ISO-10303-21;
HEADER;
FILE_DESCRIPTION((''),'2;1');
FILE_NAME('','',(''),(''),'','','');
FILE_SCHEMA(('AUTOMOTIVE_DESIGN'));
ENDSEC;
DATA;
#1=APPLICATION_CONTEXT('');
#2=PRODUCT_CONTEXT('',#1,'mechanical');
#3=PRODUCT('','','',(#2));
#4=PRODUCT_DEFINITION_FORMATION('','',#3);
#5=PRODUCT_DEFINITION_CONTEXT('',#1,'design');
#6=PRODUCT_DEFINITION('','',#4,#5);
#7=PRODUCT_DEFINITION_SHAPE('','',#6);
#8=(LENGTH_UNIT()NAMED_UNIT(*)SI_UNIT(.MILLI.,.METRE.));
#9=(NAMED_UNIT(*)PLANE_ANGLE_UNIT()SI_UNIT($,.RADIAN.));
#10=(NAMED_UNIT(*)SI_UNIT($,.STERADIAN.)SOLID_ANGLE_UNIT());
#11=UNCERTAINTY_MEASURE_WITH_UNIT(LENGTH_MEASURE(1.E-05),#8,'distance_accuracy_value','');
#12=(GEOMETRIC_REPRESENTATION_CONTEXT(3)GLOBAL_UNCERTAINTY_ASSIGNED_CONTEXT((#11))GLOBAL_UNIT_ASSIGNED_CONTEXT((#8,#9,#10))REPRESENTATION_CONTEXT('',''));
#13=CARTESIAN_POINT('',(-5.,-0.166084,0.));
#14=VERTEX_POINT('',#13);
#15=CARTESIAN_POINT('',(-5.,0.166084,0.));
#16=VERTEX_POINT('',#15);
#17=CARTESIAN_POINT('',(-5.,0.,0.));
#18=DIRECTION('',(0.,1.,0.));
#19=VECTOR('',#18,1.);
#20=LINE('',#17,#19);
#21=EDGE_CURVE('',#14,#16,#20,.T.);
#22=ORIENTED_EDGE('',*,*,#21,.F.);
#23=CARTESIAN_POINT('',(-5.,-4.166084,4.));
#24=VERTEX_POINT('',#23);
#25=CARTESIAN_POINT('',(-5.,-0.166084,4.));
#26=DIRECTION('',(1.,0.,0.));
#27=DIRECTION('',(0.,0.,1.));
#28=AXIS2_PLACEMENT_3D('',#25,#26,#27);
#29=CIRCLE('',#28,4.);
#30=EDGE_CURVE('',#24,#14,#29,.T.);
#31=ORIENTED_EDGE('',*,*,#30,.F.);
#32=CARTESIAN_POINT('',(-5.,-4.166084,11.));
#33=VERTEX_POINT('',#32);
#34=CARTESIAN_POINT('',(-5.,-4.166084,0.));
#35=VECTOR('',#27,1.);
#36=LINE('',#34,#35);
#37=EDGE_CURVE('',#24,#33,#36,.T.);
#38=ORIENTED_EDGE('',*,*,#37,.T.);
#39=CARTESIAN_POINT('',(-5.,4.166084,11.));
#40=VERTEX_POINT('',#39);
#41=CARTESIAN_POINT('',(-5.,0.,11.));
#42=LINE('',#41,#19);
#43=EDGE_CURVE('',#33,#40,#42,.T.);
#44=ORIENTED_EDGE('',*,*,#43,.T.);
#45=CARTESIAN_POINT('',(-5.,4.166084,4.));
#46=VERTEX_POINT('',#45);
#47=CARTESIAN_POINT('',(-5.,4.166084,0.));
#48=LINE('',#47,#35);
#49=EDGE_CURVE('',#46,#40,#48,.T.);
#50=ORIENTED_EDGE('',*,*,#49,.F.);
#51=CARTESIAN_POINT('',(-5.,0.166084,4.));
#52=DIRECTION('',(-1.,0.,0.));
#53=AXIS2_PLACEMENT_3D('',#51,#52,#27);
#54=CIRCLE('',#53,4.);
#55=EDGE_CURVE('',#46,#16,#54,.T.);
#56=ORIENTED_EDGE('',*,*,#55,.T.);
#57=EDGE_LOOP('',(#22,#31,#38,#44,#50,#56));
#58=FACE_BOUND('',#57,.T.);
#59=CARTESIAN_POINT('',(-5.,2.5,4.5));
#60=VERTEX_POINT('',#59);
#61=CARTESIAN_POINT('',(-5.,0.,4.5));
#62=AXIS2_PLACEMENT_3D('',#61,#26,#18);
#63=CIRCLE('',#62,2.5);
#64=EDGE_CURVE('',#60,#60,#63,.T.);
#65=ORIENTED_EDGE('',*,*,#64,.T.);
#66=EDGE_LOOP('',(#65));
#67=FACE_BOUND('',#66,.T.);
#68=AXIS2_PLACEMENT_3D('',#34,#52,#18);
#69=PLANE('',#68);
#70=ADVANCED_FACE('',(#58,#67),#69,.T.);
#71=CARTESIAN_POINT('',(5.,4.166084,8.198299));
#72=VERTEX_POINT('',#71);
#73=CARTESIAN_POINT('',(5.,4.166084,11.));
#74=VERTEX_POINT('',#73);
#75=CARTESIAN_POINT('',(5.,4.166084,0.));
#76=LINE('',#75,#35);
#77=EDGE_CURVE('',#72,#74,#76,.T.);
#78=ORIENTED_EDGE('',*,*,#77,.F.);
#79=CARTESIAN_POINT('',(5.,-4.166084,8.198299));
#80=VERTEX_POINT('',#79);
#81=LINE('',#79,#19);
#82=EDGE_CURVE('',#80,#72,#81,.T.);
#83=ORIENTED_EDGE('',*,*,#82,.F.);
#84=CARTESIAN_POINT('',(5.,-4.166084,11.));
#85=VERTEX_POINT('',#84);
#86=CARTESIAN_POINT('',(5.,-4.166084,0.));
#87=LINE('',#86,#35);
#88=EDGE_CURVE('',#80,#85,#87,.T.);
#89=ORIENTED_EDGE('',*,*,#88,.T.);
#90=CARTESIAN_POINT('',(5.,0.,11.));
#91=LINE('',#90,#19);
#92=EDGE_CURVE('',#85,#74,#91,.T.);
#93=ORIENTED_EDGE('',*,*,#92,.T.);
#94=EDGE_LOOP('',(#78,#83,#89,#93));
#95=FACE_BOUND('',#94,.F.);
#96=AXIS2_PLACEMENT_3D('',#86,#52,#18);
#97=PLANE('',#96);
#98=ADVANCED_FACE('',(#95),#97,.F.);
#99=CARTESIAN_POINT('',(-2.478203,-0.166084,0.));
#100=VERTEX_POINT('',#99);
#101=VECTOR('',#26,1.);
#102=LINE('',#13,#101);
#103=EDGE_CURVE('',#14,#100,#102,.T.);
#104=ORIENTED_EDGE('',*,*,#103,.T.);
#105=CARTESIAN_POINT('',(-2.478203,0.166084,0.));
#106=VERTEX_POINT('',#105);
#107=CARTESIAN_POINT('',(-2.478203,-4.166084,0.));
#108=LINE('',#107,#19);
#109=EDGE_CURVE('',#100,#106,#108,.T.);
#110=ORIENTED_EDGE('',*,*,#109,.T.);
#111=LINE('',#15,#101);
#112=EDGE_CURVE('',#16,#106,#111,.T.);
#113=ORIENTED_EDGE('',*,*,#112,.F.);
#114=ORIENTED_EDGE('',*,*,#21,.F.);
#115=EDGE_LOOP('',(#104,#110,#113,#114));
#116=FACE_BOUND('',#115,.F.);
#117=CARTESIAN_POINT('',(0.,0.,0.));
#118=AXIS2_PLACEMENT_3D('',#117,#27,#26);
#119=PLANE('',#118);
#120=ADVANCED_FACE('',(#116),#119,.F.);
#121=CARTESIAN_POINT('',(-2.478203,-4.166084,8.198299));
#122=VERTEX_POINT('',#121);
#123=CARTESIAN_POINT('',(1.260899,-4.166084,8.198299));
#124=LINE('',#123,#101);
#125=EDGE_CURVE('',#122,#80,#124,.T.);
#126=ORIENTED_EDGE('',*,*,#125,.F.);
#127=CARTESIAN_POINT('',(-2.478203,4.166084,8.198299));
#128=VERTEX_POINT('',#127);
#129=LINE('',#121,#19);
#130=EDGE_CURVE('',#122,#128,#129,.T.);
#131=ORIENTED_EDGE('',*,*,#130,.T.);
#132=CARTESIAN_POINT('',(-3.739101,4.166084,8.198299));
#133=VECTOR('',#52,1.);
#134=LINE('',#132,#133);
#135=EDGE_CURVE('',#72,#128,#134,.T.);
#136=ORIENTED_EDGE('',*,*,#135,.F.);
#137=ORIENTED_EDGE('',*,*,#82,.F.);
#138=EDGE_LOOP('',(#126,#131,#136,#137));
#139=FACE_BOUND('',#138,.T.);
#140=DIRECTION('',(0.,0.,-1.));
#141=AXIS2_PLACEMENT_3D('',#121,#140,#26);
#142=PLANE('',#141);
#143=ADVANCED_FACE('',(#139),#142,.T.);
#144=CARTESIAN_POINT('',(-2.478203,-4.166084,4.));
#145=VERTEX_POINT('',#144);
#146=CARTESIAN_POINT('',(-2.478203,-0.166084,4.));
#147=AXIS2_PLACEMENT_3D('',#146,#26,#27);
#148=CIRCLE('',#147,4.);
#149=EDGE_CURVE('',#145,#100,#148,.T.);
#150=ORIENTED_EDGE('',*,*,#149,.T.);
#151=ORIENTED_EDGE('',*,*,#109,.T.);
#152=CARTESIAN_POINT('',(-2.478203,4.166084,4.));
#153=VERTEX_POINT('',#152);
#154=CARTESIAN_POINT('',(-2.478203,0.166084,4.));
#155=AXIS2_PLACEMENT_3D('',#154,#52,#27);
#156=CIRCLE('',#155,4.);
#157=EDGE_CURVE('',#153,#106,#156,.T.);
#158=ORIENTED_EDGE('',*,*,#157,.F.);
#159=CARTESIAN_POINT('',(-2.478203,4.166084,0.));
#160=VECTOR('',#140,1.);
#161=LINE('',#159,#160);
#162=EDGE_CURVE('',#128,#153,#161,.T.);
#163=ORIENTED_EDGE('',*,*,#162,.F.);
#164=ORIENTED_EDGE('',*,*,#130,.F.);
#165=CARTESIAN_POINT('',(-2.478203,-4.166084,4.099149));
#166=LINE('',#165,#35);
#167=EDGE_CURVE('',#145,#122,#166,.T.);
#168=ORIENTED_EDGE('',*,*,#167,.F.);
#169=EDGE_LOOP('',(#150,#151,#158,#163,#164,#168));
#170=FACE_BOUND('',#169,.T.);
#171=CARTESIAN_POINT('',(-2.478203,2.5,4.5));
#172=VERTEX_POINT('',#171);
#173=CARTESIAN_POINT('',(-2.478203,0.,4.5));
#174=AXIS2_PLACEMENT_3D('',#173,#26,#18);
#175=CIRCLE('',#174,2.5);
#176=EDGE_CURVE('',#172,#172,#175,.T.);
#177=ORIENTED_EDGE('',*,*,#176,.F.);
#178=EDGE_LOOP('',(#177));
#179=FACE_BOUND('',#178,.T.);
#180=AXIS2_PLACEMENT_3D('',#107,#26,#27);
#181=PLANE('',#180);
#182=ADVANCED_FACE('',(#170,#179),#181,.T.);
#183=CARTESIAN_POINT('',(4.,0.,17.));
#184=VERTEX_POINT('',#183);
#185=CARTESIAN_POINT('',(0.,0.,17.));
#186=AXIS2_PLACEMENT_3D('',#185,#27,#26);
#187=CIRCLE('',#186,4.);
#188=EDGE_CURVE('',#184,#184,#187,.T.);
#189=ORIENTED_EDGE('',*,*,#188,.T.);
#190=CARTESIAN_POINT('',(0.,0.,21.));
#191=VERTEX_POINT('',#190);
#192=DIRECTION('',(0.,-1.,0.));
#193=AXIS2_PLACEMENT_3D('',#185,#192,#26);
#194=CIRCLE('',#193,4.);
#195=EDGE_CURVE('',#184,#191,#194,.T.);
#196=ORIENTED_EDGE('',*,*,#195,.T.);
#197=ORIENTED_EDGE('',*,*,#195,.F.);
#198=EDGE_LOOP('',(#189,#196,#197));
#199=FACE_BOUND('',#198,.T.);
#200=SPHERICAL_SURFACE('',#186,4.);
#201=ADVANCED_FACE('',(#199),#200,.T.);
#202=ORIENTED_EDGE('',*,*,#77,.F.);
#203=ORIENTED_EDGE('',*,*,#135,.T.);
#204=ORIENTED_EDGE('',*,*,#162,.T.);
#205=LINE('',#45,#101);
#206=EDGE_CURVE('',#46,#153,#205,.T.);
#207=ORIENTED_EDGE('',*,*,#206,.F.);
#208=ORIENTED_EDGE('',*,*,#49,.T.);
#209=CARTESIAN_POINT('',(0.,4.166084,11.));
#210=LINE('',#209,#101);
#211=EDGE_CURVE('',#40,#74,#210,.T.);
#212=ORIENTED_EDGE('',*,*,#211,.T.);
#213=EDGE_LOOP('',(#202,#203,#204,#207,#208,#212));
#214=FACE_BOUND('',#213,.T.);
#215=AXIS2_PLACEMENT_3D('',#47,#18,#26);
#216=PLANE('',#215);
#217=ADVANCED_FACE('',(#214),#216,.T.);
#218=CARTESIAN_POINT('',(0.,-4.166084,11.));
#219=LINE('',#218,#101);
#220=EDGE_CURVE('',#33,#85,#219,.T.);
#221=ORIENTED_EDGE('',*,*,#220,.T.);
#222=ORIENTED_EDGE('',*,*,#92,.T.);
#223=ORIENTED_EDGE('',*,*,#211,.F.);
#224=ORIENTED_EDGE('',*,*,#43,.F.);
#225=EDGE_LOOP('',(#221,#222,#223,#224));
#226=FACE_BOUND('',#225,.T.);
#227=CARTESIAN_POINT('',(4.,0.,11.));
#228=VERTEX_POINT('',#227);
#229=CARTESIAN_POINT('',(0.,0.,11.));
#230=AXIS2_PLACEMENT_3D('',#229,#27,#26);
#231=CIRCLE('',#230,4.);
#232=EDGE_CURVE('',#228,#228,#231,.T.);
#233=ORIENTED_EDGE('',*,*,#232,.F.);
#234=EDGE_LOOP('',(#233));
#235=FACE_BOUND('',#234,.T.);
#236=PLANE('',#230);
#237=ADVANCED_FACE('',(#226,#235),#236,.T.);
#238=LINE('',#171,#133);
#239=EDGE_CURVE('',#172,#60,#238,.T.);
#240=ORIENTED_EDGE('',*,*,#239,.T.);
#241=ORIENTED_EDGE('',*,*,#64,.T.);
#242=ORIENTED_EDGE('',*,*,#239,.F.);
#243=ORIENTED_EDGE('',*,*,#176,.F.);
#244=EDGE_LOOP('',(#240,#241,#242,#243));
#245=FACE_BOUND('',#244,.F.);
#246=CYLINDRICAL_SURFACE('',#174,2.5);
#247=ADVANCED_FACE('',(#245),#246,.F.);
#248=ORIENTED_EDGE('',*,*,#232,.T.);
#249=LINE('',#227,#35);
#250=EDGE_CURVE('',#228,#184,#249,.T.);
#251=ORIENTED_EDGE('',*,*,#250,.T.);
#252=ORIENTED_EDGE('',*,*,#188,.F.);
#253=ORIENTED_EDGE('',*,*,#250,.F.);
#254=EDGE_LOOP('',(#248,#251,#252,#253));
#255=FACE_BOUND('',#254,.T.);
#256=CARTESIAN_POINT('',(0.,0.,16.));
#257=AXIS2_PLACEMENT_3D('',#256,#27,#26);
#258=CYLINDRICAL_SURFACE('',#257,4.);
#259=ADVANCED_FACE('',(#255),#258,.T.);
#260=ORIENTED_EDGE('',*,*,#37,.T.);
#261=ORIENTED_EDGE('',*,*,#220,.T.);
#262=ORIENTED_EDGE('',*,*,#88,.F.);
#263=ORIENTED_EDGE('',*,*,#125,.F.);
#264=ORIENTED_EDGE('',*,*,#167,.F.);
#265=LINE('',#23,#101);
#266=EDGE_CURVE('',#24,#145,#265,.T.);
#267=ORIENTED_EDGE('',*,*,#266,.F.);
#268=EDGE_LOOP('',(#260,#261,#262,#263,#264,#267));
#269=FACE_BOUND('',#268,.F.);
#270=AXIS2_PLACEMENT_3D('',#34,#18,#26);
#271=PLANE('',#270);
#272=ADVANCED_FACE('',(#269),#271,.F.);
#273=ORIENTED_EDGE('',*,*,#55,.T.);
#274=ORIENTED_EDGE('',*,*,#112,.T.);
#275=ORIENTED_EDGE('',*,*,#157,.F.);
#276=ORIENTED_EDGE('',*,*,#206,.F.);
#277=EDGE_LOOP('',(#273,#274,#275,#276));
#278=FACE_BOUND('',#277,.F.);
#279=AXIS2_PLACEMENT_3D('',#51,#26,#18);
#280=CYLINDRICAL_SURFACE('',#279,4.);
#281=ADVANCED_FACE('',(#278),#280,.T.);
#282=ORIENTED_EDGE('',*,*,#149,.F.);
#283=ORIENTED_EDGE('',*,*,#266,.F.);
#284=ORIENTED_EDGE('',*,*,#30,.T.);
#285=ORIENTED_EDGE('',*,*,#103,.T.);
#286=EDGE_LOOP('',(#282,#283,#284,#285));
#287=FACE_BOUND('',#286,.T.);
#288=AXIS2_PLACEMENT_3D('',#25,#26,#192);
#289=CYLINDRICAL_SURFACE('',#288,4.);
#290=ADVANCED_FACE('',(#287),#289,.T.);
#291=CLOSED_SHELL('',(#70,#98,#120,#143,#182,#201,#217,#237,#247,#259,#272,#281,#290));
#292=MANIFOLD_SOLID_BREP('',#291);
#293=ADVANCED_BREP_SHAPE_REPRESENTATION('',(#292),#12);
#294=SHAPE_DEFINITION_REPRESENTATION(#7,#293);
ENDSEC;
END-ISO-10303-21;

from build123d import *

# Parameters (mm, degrees)
F0_W      = 254
F0_H      = 254
F0_W_2    = 19.9865185836
F0_H_2    = 80.453767086
F1_DEPTH  = 1
F2_W      = 10
F2_H      = 8.3321671046
F3_DEPTH  = 16
F4_W      = 10
F4_H      = 8.3321671046
F4_R      = 4
F5_DEPTH  = 5
F6_W      = 7.4782028049
F6_H      = 8.1982985139
F7_DEPTH  = 11
F8_DEPTH  = 5
F11_R     = 4
F12_R     = 4
F9_R      = 2.5
F13_DEPTH = 5


with BuildPart() as f1:
    # F0 (on Front) → F1 (new body)
    with BuildSketch(Plane.XZ):
        with Locations((193.7753074374, -446.9196461141)):
            Rectangle(F0_W, F0_H)
        with Locations((130.3308923814, -466.3652455825)):
            Rectangle(F0_W_2, F0_H_2, mode=Mode.SUBTRACT)
    extrude(amount=F1_DEPTH)


with BuildPart() as f3:
    # F2 (on Top) → F3 (new body)
    with BuildSketch(Plane.XY):
        Rectangle(F2_W, F2_H)
    extrude(amount=F3_DEPTH)

    # F4 (on face) → F5 (cut)
    with BuildSketch(Plane.XY.offset(16)):
        Rectangle(F4_W, F4_H)
        Circle(F4_R, mode=Mode.SUBTRACT)
    extrude(amount=-F5_DEPTH, mode=Mode.SUBTRACT)

    # F6 (on face) → F7 (cut)
    with BuildSketch(Plane.XZ.offset(4.1660835523)):
        with Locations((1.2608985975, 4.0991492569)):
            Rectangle(F6_W, F6_H)
    extrude(amount=-F7_DEPTH, mode=Mode.SUBTRACT)

    # F8 (add): a face of the model
    f8_faces = [f3.faces().sort_by_distance(p)[0] for p in [
        (0, 0, 16),
    ]]
    extrude(f8_faces, amount=F8_DEPTH)

    # F11
    f11_edges = [f3.edges().sort_by_distance(p)[0] for p in [
        (-4, 0, 21),
    ]]
    fillet(f11_edges, radius=F11_R)

    # F12
    f12_edges = [f3.edges().sort_by_distance(p)[0] for p in [
        (-3.739101, -4.166084, 0),
        (-3.739101, 4.166084, 0),
    ]]
    fillet(f12_edges, radius=F12_R)

    # F9 (on face) → F13 (cut)
    with BuildSketch(Plane.YZ.offset(-2.4782028049)):
        with Locations((0, 4.5)):
            Circle(F9_R)
    extrude(amount=-F13_DEPTH, mode=Mode.SUBTRACT)


solid = f3.part
